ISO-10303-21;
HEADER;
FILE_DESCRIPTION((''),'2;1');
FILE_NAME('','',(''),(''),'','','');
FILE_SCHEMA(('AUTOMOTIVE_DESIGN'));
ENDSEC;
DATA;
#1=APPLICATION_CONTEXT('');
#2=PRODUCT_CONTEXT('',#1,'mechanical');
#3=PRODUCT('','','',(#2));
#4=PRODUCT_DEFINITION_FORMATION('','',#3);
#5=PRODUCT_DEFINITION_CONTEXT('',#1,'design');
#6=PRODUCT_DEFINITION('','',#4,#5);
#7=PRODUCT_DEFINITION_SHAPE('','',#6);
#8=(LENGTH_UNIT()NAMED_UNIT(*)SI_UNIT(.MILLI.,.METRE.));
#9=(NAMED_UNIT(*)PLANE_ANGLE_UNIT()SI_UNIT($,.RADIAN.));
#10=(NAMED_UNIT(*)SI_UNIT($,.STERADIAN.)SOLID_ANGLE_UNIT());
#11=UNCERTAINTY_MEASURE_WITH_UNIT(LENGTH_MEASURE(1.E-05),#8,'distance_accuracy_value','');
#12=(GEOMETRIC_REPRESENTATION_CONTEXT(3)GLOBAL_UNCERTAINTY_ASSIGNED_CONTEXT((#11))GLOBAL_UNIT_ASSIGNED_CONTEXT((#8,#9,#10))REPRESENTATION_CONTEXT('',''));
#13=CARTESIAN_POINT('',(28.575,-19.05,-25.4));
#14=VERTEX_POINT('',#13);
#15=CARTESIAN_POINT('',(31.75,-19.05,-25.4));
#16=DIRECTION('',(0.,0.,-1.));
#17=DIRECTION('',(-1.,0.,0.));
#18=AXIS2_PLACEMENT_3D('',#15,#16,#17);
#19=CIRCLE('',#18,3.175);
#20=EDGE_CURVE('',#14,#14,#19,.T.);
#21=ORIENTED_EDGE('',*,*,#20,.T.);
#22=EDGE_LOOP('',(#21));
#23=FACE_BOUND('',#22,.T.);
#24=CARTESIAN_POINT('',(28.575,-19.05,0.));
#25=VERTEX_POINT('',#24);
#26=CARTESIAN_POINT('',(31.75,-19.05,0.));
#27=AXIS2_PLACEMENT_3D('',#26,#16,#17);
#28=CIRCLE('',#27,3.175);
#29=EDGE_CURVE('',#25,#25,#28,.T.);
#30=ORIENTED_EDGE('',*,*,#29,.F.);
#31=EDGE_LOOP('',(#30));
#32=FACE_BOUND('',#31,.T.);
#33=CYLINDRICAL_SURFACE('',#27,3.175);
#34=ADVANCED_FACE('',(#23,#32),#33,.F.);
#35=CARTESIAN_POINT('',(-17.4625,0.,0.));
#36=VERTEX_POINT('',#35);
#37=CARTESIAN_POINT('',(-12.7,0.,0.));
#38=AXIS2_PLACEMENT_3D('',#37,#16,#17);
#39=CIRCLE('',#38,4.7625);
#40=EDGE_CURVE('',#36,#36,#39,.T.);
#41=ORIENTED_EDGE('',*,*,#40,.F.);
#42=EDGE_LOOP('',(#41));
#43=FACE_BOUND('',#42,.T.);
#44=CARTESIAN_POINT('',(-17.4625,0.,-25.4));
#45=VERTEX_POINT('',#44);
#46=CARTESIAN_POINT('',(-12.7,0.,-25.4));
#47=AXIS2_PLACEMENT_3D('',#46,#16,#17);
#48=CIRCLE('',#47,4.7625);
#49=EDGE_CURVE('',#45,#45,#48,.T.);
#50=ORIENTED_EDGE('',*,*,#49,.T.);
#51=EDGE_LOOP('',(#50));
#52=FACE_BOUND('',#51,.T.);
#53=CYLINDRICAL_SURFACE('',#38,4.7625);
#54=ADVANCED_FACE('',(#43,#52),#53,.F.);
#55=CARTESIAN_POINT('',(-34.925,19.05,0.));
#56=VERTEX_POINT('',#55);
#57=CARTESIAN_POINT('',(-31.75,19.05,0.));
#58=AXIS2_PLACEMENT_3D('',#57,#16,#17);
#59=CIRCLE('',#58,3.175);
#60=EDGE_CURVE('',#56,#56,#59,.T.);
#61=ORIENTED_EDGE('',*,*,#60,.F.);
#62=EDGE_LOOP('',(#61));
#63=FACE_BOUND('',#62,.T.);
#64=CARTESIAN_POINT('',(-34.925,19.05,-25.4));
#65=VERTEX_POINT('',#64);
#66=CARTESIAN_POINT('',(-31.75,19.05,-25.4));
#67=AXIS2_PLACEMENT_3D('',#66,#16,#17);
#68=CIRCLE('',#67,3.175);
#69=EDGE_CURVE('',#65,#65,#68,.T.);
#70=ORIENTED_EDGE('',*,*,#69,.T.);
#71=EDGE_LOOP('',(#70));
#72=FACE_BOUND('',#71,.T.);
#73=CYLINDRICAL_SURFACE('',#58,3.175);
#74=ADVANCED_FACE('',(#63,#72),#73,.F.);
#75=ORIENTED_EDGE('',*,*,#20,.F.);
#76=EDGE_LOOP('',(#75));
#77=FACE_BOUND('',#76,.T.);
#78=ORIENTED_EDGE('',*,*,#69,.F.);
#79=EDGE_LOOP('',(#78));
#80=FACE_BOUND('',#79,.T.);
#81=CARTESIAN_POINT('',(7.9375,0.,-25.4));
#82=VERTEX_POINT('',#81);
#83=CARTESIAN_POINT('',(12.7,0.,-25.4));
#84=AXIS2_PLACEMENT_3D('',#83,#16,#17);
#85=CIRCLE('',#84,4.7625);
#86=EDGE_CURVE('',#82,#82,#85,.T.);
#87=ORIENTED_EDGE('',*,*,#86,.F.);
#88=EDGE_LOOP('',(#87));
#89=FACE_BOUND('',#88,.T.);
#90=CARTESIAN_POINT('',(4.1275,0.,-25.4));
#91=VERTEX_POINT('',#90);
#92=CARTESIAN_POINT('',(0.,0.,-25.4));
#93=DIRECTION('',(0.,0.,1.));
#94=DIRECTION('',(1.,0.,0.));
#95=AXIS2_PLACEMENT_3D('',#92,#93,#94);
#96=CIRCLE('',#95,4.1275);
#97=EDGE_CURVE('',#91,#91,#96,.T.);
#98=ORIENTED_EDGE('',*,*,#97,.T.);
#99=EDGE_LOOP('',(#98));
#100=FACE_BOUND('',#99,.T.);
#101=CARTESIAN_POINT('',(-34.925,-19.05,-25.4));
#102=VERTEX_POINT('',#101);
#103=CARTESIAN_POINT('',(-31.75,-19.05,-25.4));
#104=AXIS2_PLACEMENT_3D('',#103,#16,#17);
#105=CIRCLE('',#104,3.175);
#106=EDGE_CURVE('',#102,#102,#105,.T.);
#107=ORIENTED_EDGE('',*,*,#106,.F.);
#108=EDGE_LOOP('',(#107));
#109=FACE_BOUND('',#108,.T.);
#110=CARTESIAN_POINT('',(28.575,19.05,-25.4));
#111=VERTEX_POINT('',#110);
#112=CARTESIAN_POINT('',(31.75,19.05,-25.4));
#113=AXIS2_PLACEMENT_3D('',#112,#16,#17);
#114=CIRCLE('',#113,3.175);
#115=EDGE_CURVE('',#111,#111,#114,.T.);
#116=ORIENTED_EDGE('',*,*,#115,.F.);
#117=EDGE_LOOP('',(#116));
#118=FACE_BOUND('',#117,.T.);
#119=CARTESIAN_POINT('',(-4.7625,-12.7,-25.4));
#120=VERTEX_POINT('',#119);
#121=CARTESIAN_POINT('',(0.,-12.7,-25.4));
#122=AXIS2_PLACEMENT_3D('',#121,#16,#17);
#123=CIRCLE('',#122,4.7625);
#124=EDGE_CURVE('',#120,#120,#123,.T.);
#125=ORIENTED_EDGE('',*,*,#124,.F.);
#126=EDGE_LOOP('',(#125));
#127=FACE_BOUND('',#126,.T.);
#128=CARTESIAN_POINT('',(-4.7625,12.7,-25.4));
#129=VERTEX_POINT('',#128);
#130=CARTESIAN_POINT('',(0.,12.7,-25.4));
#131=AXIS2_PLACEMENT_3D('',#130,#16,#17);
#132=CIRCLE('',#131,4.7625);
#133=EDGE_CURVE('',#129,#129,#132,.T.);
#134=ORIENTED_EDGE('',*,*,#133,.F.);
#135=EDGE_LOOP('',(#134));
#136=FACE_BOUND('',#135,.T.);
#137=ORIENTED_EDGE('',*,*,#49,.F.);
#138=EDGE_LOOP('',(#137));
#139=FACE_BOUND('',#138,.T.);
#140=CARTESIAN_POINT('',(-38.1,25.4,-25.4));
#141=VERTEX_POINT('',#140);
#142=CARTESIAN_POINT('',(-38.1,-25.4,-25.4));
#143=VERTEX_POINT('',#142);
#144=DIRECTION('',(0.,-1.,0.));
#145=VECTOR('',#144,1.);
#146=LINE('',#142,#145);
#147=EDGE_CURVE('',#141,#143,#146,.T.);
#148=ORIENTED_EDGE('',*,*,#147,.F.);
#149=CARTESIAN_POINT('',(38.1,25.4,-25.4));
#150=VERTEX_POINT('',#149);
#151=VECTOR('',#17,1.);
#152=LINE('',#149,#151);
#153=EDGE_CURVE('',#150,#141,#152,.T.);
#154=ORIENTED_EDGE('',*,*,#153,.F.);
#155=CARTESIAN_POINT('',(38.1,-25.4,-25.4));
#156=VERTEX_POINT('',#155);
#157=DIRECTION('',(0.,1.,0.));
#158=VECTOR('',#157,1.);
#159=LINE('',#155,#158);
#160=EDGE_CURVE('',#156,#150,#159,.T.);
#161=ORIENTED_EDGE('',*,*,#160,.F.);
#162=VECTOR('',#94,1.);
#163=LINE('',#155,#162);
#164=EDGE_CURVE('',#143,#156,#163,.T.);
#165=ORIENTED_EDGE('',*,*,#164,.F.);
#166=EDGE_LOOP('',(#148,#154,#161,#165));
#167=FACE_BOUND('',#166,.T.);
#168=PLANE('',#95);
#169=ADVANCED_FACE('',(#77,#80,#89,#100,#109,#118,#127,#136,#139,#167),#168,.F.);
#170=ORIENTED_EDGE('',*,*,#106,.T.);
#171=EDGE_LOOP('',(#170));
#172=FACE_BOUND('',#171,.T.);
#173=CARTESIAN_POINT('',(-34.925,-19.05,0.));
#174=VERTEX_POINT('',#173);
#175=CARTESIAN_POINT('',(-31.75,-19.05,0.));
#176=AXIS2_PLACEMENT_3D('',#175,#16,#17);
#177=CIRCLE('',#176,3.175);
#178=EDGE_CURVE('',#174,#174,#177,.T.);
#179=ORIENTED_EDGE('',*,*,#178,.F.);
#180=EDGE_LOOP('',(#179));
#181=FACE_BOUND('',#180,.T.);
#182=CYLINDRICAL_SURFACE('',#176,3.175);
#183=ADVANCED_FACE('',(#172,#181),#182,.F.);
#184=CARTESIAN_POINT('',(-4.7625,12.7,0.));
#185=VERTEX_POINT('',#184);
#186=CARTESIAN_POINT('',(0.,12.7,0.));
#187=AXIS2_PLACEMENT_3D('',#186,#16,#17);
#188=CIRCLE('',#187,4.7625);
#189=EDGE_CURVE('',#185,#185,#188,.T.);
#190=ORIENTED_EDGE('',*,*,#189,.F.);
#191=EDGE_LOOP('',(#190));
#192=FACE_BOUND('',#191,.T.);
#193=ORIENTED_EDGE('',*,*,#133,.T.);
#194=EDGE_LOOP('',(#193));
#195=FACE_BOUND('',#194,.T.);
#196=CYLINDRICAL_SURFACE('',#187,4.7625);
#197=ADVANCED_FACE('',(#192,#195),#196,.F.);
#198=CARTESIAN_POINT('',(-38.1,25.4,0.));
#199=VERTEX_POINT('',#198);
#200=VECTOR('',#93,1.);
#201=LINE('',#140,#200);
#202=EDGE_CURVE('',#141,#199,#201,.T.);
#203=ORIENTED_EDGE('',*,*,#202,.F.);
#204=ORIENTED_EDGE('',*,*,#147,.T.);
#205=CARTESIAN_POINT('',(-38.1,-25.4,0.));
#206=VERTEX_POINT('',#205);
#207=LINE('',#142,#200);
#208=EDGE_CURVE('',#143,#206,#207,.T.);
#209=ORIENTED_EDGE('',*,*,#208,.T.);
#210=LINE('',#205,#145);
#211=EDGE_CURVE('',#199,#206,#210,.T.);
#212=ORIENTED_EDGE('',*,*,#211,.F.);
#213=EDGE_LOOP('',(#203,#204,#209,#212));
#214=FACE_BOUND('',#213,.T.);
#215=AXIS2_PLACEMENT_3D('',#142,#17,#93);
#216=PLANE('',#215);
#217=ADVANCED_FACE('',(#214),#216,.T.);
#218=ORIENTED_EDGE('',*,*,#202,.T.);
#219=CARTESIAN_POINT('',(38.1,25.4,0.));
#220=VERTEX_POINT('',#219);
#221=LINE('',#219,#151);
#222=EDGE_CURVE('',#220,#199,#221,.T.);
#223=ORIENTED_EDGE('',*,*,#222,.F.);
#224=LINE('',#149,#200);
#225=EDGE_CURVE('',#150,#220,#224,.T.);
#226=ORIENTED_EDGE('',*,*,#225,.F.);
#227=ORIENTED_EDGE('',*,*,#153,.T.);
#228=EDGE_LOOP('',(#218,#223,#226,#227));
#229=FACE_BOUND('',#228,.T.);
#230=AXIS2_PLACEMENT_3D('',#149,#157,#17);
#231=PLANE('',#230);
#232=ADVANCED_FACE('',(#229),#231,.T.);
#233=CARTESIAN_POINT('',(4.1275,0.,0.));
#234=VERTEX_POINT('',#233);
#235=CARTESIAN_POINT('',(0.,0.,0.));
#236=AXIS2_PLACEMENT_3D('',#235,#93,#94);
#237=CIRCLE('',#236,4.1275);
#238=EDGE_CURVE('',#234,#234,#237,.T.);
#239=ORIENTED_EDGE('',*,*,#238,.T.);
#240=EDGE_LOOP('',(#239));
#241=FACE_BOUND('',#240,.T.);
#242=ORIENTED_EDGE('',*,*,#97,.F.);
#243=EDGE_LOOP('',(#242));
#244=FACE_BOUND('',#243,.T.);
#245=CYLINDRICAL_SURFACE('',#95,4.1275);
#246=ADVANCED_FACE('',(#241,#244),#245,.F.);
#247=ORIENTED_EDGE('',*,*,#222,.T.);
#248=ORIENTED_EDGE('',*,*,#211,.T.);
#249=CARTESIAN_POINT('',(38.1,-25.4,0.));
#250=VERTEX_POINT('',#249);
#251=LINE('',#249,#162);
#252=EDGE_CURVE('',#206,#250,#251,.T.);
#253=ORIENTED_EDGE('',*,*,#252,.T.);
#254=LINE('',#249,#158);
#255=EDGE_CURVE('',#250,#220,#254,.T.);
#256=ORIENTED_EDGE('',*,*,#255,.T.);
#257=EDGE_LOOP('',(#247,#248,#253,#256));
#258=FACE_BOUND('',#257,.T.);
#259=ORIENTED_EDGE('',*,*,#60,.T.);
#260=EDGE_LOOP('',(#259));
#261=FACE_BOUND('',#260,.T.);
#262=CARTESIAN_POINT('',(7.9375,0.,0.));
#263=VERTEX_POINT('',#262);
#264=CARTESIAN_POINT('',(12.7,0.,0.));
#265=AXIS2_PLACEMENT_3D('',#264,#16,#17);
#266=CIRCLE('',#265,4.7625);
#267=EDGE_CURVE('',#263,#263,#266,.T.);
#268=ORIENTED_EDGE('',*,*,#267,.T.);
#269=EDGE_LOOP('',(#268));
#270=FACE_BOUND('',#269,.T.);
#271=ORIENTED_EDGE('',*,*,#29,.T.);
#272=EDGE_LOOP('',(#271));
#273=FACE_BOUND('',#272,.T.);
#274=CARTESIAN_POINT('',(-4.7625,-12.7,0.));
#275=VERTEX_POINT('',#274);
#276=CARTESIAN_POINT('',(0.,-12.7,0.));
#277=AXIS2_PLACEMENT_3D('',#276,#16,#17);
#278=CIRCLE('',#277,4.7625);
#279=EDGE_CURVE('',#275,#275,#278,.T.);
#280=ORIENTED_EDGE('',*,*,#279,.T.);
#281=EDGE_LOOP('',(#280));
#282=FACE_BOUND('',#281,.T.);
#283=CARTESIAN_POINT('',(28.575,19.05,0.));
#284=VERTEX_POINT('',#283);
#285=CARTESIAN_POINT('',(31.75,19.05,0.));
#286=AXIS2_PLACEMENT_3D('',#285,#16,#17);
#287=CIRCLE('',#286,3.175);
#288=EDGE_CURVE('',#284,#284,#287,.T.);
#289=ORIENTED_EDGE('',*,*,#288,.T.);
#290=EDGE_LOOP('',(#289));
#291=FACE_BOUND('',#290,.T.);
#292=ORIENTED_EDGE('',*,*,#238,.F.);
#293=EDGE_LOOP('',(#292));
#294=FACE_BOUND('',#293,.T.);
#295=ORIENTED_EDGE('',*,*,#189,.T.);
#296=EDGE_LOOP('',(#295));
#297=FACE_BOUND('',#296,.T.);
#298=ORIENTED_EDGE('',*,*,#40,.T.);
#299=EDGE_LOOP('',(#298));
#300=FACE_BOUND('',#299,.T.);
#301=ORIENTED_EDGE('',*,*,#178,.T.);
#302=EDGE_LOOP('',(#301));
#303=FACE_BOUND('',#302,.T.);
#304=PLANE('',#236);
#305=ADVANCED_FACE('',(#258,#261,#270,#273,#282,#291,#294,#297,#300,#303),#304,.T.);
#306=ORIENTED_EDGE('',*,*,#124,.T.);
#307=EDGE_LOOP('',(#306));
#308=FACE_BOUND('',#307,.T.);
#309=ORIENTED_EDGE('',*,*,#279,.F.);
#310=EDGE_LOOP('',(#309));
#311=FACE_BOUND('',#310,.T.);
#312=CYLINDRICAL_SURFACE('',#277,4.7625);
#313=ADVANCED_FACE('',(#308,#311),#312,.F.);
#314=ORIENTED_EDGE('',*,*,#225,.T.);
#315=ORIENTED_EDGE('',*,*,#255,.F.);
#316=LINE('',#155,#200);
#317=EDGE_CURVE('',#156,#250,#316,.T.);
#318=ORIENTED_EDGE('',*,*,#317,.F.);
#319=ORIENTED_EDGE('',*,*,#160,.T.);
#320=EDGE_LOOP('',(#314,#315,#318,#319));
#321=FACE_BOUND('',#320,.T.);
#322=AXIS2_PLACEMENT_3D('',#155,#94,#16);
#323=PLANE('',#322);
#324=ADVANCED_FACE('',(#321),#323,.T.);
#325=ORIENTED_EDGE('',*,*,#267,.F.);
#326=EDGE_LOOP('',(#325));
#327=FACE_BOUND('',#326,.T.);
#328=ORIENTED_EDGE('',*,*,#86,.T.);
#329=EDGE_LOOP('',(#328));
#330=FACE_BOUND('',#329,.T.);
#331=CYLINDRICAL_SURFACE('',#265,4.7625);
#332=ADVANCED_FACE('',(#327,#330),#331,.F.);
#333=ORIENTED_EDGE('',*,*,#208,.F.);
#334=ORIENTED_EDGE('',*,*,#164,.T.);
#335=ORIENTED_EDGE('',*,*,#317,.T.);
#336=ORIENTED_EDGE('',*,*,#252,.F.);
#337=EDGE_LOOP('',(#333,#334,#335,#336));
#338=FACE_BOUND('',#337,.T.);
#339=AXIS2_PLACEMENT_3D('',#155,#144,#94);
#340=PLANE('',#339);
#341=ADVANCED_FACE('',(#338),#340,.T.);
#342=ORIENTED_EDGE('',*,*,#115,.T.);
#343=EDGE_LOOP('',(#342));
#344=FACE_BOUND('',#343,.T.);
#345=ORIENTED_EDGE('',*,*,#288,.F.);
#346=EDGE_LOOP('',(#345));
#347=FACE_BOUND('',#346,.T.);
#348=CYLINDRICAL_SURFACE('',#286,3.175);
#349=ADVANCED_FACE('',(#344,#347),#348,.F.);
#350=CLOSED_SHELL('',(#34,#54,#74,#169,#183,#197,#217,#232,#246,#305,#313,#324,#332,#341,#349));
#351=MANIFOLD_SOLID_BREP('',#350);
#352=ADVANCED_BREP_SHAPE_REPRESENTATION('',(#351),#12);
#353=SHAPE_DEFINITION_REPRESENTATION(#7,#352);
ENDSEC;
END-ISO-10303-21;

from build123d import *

# Parameters (mm, degrees)
SKETCH_1_W          = 76.2
SKETCH_1_H          = 50.8
EXTRUDE_1_DEPTH     = 25.4
SKETCH_2_R          = 4.1275
CUT_EXTRUDE_1_DEPTH = 25.4
SKETCH_3_R          = 3.175
CUT_EXTRUDE_2_DEPTH = 26.4
SKETCH_4_R          = 3.175
CUT_EXTRUDE_3_DEPTH = 25.4
SKETCH_5_R          = 4.7625
CUT_EXTRUDE_4_DEPTH = 25.4
SKETCH_6_R          = 4.7625
CUT_EXTRUDE_5_DEPTH = 25.4


with BuildPart() as part:
    # 草图1 → 凸台-拉伸1 (new body)
    with BuildSketch(Plane.XY):
        Rectangle(SKETCH_1_W, SKETCH_1_H)
    extrude(amount=-EXTRUDE_1_DEPTH)

    # 草图2 → 切除-拉伸1 (cut)
    with BuildSketch(Plane.XY):
        Circle(SKETCH_2_R)
    extrude(amount=-CUT_EXTRUDE_1_DEPTH, mode=Mode.SUBTRACT)

    # 草图3 → 切除-拉伸2 (cut, through all)
    with BuildSketch(Plane(origin=(0, 0, -25.4), x_dir=(-1, 0, 0), z_dir=(0, 0, -1))):
        with Locations((-31.75, 19.05)):
            Circle(SKETCH_3_R)
        with Locations((31.75, 19.05)):
            Circle(SKETCH_3_R)
    extrude(amount=-CUT_EXTRUDE_2_DEPTH, mode=Mode.SUBTRACT)

    # 草图4 → 切除-拉伸3 (cut)
    with BuildSketch(Plane(origin=(0, 0, -25.4), x_dir=(-1, 0, 0), z_dir=(0, 0, -1))):
        with Locations((-31.75, -19.05)):
            Circle(SKETCH_4_R)
        with Locations((31.75, -19.05)):
            Circle(SKETCH_4_R)
    extrude(amount=-CUT_EXTRUDE_3_DEPTH, mode=Mode.SUBTRACT)

    # 草图5 → 切除-拉伸4 (cut)
    with BuildSketch(Plane(origin=(0, 0, -25.4), x_dir=(-1, 0, 0), z_dir=(0, 0, -1))):
        with Locations((0, 12.7)):
            Circle(SKETCH_5_R)
        with Locations((0, -12.7)):
            Circle(SKETCH_5_R)
    extrude(amount=-CUT_EXTRUDE_4_DEPTH, mode=Mode.SUBTRACT)

    # 草图6 → 切除-拉伸5 (cut)
    with BuildSketch(Plane(origin=(0, 0, -25.4), x_dir=(-1, 0, 0), z_dir=(0, 0, -1))):
        with Locations((-12.7, 0)):
            Circle(SKETCH_6_R)
        with Locations((12.7, 0)):
            Circle(SKETCH_6_R)
    extrude(amount=-CUT_EXTRUDE_5_DEPTH, mode=Mode.SUBTRACT)


solid = part.part
